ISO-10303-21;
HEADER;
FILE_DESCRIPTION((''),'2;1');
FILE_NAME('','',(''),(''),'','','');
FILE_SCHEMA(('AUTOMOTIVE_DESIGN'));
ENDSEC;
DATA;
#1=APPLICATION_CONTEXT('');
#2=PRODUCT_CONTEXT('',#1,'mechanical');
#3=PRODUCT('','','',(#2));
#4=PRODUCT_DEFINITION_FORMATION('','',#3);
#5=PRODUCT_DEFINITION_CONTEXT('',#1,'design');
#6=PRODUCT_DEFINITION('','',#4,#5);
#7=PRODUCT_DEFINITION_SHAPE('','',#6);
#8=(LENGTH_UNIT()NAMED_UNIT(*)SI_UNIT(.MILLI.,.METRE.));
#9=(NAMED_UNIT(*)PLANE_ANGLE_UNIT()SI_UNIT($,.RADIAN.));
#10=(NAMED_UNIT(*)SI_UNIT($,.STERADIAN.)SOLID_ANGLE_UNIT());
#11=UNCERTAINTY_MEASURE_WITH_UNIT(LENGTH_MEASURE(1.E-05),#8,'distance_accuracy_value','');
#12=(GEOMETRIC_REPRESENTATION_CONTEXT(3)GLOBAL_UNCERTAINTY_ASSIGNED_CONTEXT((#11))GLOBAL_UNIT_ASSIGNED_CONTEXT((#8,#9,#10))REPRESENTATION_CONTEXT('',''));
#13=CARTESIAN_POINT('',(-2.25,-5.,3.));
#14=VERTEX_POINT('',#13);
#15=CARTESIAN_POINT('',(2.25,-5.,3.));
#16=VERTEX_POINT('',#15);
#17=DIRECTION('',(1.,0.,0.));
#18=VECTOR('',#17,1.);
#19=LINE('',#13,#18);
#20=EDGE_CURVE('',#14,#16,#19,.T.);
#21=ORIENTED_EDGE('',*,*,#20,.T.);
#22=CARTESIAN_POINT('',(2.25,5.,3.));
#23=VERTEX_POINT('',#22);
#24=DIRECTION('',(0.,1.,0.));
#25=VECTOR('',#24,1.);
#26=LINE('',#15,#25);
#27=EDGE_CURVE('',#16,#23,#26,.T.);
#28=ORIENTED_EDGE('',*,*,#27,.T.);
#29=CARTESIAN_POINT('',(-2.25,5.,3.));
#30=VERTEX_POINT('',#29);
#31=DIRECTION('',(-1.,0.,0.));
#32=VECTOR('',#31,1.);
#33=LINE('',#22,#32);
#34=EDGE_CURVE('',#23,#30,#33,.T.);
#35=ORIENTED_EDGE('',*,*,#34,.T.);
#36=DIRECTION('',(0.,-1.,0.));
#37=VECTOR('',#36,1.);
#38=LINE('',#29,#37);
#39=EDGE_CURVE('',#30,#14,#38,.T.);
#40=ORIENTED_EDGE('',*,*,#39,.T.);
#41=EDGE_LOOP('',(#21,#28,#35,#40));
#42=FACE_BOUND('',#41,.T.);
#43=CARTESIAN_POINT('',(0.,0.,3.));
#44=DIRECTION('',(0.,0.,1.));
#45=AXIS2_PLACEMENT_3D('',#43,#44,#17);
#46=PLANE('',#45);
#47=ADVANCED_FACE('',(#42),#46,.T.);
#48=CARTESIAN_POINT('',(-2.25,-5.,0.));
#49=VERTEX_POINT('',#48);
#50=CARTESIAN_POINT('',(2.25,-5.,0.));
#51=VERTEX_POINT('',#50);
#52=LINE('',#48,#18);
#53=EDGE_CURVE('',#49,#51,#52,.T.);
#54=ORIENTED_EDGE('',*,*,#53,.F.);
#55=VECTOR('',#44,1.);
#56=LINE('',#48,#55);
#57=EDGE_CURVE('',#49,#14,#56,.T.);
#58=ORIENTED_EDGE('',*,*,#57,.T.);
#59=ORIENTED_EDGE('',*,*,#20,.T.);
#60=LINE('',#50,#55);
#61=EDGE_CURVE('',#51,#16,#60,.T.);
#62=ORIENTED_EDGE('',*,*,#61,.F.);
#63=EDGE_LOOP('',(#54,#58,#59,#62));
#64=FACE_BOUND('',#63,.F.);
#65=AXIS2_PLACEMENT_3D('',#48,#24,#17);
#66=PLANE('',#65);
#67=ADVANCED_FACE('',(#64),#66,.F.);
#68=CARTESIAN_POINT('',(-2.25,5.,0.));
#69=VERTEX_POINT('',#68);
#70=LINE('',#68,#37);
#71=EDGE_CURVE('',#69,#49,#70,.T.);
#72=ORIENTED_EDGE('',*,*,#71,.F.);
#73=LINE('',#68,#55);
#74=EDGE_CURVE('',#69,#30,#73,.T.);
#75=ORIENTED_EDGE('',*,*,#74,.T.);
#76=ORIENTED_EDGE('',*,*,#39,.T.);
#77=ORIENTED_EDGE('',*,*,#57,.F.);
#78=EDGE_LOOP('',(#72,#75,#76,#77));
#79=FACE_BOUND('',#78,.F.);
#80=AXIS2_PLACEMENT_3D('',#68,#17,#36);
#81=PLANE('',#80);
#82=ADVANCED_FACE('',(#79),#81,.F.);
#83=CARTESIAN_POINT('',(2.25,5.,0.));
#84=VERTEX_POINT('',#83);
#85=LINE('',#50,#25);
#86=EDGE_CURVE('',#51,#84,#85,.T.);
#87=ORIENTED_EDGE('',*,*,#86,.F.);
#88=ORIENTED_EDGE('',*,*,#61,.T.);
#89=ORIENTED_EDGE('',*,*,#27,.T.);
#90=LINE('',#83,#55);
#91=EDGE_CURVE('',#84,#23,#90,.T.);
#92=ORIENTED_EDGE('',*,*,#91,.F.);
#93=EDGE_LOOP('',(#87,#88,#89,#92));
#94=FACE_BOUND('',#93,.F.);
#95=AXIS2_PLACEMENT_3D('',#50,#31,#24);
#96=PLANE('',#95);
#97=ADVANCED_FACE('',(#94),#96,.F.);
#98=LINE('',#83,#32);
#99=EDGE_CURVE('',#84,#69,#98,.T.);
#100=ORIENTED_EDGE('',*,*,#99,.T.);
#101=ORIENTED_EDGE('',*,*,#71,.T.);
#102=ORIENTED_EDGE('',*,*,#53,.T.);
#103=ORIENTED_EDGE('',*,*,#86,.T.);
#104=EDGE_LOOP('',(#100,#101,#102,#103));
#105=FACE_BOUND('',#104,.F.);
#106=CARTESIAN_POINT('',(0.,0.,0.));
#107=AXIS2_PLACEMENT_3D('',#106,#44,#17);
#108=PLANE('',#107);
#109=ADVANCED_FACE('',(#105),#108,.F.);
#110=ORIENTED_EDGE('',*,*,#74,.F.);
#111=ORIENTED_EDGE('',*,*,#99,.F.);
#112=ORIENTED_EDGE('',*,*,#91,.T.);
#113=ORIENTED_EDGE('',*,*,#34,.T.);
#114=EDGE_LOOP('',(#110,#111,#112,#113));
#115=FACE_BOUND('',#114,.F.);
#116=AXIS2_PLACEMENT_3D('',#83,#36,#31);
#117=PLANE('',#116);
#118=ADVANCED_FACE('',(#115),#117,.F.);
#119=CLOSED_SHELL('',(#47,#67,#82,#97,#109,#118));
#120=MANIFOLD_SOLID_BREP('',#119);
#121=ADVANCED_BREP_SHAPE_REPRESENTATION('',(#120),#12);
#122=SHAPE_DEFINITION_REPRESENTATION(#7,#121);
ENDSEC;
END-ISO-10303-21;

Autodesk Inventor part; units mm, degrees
ref_plane "YZ Plane" through (0, 0, 0) normal (1, 0, 0) x (0, 1, 0)
ref_plane "XZ Plane" through (0, 0, 0) normal (0, 1, 0) x (-1, 0, 0)
ref_plane "XY Plane" through (0, 0, 0) normal (0, 0, 1) x (1, 0, 0)
sketch "スケッチ1" plane through (0, 0, 0) normal (0, 0, 1) x (1, 0, 0)
  line L0 (-2.25, -5) -> (2.25, -5)
  line L1 (2.25, -5) -> (2.25, 5)
  line L2 (2.25, 5) -> (-2.25, 5)
  line L3 (-2.25, 5) -> (-2.25, -5)
  line L4 (-2.25, -5) -> (2.25, 5) construction
  line L5 (2.25, -5) -> (-2.25, 5) construction
  point P0 (0, 0)
  dimension "d0" = 4.5
  dimension "d1" = 10
extrude "押し出し1" add sketch "スケッチ1" along normal blind 3
properties part number "sponge" material "ゴム"
